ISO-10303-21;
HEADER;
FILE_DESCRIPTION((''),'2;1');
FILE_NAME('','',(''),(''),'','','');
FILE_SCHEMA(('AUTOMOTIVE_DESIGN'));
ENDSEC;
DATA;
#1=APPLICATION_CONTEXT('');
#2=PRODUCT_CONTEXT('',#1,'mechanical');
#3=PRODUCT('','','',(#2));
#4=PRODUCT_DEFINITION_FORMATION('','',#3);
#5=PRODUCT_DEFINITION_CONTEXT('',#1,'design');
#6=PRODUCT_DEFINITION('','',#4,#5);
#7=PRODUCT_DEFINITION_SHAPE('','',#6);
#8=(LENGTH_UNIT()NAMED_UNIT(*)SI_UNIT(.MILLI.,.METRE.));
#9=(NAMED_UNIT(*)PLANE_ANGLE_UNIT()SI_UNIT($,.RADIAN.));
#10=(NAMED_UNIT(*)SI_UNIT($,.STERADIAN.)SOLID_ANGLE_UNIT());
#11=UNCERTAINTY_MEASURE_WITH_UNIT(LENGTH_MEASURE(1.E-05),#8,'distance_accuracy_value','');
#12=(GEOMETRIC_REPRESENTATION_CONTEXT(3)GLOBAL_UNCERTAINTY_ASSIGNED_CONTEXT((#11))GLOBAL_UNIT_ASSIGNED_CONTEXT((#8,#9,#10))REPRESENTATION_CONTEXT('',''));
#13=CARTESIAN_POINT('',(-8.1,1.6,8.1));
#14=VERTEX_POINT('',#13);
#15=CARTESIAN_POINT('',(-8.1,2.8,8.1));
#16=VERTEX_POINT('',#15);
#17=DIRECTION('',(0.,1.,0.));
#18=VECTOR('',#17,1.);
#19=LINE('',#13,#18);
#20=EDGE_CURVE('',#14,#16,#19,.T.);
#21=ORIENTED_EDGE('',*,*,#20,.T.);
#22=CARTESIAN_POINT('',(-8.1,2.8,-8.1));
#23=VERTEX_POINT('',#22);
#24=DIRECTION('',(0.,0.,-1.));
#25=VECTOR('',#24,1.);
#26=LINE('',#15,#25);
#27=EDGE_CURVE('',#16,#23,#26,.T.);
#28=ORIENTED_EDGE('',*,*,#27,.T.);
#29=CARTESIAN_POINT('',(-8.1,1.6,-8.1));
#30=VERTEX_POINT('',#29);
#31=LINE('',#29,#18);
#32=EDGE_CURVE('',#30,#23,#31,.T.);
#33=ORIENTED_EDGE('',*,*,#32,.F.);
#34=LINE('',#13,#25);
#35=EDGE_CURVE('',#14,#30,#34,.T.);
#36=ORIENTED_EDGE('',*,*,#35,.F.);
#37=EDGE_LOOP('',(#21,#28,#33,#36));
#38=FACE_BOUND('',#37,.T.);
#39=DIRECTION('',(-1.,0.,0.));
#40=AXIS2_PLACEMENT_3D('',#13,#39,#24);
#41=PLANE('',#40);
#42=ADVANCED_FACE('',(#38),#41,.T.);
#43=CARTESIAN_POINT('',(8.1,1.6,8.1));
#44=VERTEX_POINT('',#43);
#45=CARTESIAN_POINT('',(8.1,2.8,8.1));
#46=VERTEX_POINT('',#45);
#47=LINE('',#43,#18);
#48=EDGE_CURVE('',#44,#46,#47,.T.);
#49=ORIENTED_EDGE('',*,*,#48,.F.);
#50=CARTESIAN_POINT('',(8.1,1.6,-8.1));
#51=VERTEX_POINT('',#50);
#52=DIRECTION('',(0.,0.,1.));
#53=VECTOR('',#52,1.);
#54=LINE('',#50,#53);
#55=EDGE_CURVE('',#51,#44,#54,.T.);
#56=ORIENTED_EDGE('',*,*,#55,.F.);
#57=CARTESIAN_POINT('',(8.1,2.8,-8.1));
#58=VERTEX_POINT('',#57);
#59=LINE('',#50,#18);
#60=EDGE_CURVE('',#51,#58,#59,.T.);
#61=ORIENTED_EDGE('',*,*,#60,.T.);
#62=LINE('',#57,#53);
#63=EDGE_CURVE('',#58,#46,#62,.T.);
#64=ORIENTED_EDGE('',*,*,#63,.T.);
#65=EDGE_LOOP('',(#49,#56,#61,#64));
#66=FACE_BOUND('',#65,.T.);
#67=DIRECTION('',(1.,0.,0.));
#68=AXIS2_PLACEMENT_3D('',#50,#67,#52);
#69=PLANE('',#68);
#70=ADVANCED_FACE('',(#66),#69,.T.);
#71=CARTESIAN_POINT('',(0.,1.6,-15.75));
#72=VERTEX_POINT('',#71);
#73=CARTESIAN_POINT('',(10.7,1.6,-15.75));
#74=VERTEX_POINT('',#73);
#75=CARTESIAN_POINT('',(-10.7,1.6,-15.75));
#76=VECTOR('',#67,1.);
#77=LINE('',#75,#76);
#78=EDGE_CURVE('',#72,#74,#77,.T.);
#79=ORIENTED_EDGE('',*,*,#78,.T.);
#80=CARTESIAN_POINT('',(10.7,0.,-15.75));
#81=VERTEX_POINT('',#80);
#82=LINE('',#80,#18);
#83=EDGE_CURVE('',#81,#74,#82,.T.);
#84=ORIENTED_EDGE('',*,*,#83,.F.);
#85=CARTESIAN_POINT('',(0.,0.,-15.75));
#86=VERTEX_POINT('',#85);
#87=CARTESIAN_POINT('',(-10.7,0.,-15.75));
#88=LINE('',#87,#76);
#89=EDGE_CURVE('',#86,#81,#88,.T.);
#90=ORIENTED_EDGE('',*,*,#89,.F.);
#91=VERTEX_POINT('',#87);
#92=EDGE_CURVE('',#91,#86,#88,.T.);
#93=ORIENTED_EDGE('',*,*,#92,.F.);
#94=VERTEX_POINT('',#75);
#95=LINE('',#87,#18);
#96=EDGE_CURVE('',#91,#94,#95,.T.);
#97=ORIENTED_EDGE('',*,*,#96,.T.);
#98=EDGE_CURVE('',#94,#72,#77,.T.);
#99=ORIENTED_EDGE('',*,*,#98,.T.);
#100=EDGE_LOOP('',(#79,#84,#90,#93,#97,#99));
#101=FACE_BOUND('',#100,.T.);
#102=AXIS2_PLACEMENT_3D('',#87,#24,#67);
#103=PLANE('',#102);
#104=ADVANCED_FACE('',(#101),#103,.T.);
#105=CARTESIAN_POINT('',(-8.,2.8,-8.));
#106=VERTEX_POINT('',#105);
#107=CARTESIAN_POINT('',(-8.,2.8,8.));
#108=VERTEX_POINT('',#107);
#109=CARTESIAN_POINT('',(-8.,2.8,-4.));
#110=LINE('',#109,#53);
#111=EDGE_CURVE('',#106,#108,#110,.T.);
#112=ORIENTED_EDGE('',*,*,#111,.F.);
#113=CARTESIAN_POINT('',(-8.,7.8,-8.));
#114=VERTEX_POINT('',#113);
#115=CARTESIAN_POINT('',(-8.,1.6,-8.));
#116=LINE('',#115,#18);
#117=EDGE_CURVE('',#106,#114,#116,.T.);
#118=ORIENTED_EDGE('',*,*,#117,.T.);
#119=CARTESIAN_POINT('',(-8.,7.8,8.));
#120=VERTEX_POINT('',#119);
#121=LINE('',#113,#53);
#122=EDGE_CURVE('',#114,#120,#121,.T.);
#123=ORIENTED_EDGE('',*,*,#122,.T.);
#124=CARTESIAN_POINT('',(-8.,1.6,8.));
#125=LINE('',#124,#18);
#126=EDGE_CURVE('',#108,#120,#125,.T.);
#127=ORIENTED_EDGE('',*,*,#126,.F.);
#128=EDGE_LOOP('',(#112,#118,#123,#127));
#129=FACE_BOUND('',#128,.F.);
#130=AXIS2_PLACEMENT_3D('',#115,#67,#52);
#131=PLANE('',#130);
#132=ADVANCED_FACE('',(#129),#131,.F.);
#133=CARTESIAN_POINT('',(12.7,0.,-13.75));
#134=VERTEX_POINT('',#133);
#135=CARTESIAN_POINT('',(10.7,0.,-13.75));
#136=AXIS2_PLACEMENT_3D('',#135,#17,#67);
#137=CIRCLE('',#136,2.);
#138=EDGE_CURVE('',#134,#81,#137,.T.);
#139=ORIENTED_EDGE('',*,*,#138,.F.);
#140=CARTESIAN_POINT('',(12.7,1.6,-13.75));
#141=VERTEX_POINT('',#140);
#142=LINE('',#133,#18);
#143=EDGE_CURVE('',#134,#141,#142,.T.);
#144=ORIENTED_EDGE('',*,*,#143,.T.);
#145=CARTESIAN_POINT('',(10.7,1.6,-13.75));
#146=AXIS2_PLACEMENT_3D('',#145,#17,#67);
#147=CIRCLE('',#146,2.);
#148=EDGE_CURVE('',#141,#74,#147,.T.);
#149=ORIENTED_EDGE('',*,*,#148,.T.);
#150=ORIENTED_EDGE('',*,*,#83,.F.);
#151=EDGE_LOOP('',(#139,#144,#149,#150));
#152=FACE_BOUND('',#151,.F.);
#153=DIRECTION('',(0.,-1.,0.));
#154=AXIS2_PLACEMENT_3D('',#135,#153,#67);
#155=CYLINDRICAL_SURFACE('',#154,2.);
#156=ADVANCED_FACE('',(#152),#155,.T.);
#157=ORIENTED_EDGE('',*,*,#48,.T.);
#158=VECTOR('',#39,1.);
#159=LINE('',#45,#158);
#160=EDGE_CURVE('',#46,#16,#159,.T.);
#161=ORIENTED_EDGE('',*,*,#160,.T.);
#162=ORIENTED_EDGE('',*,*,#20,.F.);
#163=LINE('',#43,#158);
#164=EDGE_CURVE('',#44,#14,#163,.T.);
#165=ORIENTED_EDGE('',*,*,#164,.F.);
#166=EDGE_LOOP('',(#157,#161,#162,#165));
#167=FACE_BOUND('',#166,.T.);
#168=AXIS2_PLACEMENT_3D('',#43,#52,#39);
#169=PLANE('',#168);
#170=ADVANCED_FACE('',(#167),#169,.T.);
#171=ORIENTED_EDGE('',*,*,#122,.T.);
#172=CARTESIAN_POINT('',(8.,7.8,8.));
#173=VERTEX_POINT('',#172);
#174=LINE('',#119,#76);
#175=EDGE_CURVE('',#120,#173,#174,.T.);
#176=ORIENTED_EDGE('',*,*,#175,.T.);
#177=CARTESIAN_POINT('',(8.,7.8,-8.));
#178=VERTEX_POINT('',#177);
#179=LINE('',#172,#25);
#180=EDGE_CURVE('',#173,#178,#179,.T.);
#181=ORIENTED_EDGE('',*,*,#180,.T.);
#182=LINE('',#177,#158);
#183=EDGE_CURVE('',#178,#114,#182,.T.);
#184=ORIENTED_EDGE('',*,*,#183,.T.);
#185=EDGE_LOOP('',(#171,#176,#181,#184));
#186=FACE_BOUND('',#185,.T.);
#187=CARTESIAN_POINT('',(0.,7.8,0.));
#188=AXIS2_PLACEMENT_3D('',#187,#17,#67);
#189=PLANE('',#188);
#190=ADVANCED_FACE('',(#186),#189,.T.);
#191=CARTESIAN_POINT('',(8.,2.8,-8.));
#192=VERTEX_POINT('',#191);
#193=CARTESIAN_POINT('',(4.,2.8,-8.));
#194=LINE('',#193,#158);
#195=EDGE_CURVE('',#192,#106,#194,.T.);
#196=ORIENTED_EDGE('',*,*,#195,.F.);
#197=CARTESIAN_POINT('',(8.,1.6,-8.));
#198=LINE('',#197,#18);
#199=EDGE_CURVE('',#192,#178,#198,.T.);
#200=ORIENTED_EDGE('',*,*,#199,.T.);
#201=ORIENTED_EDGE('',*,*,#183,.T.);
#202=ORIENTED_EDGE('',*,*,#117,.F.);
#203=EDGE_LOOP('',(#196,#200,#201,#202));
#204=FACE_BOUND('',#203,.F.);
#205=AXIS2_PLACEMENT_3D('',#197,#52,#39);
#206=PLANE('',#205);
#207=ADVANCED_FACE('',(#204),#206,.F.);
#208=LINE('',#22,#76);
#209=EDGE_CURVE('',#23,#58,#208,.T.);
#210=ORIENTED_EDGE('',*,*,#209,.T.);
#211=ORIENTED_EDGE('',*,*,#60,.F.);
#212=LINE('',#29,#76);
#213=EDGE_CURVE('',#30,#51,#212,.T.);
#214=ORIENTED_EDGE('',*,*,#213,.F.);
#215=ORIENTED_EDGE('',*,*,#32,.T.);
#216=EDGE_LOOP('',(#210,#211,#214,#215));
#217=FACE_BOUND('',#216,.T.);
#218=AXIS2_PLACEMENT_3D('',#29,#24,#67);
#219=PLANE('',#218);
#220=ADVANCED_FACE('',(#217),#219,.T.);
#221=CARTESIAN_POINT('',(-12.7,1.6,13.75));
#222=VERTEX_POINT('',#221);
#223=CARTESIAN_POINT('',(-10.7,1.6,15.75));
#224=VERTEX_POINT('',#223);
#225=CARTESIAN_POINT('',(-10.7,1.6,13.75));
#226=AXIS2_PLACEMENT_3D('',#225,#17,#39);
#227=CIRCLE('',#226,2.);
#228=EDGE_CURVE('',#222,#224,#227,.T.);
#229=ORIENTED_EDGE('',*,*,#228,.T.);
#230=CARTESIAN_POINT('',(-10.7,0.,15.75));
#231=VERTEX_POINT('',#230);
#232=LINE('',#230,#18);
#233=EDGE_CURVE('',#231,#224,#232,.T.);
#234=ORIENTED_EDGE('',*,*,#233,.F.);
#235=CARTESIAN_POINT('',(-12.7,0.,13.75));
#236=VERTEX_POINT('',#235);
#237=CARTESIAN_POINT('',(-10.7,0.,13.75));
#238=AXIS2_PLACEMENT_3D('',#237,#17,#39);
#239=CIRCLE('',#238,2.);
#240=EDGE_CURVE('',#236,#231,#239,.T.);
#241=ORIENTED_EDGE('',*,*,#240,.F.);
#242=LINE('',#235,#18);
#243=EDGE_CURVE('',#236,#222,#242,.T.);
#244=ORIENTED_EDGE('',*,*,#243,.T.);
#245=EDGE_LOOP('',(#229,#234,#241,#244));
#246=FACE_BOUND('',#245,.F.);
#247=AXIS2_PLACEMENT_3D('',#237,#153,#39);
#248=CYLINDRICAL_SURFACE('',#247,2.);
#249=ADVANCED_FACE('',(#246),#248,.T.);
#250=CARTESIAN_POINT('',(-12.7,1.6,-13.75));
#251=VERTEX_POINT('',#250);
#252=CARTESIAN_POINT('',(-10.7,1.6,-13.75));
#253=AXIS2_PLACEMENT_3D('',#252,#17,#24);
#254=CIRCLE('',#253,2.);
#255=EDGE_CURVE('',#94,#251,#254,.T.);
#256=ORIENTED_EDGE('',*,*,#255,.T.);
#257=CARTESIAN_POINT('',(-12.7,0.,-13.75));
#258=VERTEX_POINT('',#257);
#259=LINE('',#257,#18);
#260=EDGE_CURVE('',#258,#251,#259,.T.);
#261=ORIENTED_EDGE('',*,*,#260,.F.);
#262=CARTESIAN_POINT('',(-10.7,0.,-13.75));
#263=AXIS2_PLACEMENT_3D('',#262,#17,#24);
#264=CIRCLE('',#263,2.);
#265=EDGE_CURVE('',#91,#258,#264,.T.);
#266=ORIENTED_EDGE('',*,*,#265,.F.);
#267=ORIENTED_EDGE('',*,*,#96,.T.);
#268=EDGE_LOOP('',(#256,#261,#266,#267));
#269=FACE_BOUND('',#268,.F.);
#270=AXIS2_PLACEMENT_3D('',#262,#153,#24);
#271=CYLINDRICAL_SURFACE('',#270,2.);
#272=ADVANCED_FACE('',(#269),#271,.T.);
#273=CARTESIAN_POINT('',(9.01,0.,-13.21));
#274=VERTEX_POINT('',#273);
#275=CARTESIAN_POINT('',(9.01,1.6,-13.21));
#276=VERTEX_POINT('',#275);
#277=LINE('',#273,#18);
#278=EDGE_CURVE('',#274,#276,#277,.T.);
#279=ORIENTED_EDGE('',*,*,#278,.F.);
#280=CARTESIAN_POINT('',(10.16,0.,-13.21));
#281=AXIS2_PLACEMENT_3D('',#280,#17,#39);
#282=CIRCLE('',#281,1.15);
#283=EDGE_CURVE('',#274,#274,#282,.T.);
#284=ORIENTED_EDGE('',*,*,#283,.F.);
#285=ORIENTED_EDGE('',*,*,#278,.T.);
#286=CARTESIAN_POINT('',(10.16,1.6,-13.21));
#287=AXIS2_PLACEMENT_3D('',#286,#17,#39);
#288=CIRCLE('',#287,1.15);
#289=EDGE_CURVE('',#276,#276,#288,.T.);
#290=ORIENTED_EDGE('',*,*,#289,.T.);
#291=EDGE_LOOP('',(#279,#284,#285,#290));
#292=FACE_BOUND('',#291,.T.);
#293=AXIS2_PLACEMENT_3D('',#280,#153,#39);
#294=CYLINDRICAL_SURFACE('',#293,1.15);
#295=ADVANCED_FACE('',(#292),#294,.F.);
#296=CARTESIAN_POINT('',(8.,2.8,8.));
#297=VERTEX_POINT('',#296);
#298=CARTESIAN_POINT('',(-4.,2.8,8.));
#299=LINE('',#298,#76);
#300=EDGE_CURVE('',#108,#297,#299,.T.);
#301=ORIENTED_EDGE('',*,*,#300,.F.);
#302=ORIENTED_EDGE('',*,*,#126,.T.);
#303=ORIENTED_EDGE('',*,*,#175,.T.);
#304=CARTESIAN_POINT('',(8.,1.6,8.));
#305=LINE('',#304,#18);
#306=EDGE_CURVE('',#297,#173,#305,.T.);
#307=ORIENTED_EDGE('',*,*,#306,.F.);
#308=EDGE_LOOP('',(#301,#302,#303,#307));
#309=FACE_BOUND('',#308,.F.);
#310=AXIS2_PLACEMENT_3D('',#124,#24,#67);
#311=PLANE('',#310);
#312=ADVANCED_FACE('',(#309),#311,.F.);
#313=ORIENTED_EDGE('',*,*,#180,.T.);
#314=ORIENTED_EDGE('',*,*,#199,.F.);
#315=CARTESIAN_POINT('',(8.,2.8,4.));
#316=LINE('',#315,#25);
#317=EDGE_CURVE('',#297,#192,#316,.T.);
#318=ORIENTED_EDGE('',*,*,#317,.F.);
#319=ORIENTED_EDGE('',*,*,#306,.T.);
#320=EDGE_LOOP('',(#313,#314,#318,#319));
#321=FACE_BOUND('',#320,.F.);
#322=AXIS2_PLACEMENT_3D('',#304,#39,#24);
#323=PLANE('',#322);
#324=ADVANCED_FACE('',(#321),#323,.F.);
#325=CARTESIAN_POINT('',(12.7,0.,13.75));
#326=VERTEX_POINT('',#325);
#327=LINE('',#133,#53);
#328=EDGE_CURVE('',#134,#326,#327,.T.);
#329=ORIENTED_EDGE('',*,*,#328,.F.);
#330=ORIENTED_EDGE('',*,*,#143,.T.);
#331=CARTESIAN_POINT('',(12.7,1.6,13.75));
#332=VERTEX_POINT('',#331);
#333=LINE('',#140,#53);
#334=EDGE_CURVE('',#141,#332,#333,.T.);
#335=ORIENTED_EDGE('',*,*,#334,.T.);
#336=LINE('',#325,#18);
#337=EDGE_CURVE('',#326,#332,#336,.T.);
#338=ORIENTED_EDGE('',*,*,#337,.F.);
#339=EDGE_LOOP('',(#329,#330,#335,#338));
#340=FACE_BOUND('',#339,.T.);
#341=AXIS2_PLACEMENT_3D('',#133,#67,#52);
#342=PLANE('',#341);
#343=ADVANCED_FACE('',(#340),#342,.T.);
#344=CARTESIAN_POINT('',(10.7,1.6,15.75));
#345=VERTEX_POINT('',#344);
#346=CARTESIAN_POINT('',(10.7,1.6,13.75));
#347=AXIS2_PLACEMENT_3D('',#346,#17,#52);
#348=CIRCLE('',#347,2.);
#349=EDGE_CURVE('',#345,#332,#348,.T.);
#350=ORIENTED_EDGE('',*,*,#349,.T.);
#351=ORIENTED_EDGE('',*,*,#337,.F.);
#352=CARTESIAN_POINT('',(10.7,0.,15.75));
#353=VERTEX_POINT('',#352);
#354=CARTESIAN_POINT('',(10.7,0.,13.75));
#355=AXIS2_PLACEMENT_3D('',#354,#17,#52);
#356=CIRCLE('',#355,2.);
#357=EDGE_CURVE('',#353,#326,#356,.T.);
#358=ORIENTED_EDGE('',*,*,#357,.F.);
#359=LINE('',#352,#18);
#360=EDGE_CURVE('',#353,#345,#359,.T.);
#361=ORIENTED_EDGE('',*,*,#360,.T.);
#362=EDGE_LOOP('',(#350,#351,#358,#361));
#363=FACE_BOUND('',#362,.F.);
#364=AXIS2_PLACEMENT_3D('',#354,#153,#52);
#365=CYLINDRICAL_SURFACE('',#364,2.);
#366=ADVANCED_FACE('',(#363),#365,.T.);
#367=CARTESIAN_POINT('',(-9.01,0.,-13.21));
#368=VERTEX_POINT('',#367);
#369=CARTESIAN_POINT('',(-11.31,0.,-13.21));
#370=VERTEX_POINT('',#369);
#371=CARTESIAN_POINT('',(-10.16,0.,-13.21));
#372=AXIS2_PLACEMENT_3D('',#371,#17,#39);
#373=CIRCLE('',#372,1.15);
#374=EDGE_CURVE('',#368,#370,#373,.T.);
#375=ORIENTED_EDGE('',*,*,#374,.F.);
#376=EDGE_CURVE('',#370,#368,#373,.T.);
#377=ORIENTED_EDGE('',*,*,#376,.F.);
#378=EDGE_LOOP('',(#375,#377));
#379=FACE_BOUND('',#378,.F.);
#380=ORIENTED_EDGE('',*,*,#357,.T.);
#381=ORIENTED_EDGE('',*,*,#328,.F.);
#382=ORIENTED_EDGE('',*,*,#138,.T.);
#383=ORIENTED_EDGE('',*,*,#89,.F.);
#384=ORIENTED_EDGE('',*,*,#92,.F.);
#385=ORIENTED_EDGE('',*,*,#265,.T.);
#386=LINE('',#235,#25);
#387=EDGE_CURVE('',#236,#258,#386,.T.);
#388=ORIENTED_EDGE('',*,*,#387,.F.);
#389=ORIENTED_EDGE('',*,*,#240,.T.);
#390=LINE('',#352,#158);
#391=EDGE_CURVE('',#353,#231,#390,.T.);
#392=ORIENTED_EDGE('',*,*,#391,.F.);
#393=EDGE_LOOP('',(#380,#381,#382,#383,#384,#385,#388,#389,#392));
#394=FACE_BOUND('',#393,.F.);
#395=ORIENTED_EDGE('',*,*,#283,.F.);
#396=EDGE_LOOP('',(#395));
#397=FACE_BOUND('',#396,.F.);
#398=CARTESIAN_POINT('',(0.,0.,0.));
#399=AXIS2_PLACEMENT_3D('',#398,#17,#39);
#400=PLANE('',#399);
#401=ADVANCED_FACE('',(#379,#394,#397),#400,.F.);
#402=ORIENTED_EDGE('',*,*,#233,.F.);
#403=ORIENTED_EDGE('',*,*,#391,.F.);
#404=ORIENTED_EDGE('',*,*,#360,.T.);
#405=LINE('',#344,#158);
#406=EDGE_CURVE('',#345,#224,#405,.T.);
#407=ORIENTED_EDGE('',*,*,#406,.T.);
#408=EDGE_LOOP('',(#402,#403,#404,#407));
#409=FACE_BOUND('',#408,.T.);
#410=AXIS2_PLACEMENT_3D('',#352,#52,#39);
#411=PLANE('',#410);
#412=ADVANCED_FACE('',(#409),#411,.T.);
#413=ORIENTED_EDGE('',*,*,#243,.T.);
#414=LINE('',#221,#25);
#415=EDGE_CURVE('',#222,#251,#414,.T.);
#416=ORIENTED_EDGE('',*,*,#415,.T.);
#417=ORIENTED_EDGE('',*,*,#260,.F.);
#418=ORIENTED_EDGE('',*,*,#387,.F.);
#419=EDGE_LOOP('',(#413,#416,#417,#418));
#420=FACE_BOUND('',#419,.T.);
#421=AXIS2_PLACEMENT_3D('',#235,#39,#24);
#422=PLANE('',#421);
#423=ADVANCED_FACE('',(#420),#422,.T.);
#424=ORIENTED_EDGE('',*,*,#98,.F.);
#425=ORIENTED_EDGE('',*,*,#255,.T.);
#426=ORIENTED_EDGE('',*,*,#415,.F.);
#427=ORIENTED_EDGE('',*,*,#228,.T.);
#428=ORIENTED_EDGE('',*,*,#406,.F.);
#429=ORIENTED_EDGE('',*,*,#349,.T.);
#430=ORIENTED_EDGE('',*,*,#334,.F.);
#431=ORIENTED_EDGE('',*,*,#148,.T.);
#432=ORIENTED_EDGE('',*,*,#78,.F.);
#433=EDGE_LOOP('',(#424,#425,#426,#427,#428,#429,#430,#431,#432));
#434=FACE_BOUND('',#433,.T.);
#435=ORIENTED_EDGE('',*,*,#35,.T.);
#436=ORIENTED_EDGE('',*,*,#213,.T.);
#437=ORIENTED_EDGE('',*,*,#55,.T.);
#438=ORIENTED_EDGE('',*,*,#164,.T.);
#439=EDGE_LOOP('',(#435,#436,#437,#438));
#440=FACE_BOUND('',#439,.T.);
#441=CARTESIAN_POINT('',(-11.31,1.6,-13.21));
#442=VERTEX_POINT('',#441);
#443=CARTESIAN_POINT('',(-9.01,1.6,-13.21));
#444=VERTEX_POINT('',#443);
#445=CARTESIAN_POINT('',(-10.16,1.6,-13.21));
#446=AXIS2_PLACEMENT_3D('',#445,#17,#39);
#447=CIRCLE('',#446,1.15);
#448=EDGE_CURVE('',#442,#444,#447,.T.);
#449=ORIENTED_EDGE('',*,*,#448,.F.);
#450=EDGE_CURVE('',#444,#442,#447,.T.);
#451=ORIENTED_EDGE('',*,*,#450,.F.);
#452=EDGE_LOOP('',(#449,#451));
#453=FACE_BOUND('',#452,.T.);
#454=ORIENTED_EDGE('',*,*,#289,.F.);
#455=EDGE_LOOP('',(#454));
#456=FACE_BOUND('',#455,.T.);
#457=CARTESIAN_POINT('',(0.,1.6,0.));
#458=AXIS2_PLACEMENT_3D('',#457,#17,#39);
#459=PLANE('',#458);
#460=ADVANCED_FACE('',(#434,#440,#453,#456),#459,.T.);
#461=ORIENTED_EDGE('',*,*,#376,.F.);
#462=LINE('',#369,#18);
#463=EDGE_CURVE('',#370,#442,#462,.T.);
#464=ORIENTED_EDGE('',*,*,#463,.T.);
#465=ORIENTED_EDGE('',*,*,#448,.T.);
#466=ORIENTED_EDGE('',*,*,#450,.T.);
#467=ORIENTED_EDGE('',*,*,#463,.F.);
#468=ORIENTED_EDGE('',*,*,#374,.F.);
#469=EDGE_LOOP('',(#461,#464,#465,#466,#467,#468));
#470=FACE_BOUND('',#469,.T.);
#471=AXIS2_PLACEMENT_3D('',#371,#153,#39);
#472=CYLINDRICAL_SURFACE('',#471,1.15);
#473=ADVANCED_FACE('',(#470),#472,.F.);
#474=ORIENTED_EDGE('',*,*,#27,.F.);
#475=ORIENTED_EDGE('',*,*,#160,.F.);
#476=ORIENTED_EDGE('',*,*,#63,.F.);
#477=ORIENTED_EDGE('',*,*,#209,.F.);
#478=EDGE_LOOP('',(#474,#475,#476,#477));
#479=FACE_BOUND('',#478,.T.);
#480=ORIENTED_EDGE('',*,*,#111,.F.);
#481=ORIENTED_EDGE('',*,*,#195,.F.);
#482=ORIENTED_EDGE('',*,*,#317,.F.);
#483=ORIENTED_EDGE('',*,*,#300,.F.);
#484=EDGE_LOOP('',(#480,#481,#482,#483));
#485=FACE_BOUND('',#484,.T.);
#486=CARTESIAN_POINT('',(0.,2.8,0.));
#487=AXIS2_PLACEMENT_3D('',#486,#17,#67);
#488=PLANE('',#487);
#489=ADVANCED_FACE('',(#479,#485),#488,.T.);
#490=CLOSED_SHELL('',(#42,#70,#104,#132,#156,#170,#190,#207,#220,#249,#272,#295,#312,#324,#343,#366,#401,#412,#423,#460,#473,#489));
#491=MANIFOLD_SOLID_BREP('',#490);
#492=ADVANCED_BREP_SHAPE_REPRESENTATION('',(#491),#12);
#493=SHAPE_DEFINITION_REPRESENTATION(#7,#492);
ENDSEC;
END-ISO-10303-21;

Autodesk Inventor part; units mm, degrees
ref_plane "YZ Plane" through (0, 0, 0) normal (1, 0, 0) x (0, 1, 0)
ref_plane "XZ Plane" through (0, 0, 0) normal (0, 1, 0) x (-1, 0, 0)
ref_plane "XY Plane" through (0, 0, 0) normal (0, 0, 1) x (1, 0, 0)
sketch "Boceto1" plane through (0, 0, 0) normal (0, 1, 0) x (-1, 0, 0)
  line L0 (-10.7, 15.75) -> (10.7, 15.75)
  line L1 (12.7, 13.75) -> (12.7, -13.75)
  line L2 (10.7, -15.75) -> (-10.7, -15.75)
  line L3 (-12.7, -13.75) -> (-12.7, 13.75)
  line L4 (-12.7, 15.75) -> (12.7, -15.75) construction
  line L5 (12.7, 15.75) -> (-12.7, -15.75) construction
  arc A0 (10.7, -15.75) -> (12.7, -13.75) centre (10.7, -13.75) ccw
  arc A1 (12.7, 13.75) -> (10.7, 15.75) centre (10.7, 13.75) ccw
  arc A2 (-10.7, 15.75) -> (-12.7, 13.75) centre (-10.7, 13.75) ccw
  arc A3 (-12.7, -13.75) -> (-10.7, -15.75) centre (-10.7, -13.75) ccw
  line L6 (0, -15.75) -> (0, -13.21)
  line L7 (0, -13.21) -> (10.16, -13.21)
  line L8 (0, -13.21) -> (-10.16, -13.21)
  circle A4 centre (10.16, -13.21) radius 1.15
  circle A5 centre (-10.16, -13.21) radius 1.15
  point P0 (0, 0)
  dimension "d0" = 25.4
  dimension "d1" = 31.5
  dimension "d2" = 2
  dimension "d3" = 2.54
  dimension "d4" = 10.16
  dimension "d5" = 10.16
  dimension "d6" = 2.3
  dimension "d7" = 2.3
extrude "Extrusión1" add sketch "Boceto1" along normal blind 1.6
sketch "Boceto2" plane through (0, 1.6, 0) normal (0, 1, 0) x (1, 0, 0)
  line L0 (-8, -8) -> (8, -8)
  line L1 (8, -8) -> (8, 8)
  line L2 (8, 8) -> (-8, 8)
  line L3 (-8, 8) -> (-8, -8)
  line L4 (-8, -8) -> (8, 8) construction
  line L5 (8, -8) -> (-8, 8) construction
  point P0 (0, 0)
  dimension "d10" = 16
  dimension "d11" = 16
extrude "Extrusión2" add sketch "Boceto2" along normal blind 6.2
sketch "Boceto3" plane through (0, 1.6, 0) normal (0, 1, 0) x (1, 0, 0)
  line L0 (8.1, -8.1) -> (-8.1, -8.1)
  line L1 (-8.1, -8.1) -> (-8.1, 8.1)
  line L2 (-8.1, 8.1) -> (8.1, 8.1)
  line L3 (8.1, 8.1) -> (8.1, -8.1)
  line L4 (8.1, -8.1) -> (-8.1, 8.1) construction
  line L5 (-8.1, -8.1) -> (8.1, 8.1) construction
  point P0 (0, 0)
  dimension "d14" = 16.2
  dimension "d15" = 16.2
extrude "Extrusión3" add sketch "Boceto3" along normal blind 1.2
properties part number "GPS"
